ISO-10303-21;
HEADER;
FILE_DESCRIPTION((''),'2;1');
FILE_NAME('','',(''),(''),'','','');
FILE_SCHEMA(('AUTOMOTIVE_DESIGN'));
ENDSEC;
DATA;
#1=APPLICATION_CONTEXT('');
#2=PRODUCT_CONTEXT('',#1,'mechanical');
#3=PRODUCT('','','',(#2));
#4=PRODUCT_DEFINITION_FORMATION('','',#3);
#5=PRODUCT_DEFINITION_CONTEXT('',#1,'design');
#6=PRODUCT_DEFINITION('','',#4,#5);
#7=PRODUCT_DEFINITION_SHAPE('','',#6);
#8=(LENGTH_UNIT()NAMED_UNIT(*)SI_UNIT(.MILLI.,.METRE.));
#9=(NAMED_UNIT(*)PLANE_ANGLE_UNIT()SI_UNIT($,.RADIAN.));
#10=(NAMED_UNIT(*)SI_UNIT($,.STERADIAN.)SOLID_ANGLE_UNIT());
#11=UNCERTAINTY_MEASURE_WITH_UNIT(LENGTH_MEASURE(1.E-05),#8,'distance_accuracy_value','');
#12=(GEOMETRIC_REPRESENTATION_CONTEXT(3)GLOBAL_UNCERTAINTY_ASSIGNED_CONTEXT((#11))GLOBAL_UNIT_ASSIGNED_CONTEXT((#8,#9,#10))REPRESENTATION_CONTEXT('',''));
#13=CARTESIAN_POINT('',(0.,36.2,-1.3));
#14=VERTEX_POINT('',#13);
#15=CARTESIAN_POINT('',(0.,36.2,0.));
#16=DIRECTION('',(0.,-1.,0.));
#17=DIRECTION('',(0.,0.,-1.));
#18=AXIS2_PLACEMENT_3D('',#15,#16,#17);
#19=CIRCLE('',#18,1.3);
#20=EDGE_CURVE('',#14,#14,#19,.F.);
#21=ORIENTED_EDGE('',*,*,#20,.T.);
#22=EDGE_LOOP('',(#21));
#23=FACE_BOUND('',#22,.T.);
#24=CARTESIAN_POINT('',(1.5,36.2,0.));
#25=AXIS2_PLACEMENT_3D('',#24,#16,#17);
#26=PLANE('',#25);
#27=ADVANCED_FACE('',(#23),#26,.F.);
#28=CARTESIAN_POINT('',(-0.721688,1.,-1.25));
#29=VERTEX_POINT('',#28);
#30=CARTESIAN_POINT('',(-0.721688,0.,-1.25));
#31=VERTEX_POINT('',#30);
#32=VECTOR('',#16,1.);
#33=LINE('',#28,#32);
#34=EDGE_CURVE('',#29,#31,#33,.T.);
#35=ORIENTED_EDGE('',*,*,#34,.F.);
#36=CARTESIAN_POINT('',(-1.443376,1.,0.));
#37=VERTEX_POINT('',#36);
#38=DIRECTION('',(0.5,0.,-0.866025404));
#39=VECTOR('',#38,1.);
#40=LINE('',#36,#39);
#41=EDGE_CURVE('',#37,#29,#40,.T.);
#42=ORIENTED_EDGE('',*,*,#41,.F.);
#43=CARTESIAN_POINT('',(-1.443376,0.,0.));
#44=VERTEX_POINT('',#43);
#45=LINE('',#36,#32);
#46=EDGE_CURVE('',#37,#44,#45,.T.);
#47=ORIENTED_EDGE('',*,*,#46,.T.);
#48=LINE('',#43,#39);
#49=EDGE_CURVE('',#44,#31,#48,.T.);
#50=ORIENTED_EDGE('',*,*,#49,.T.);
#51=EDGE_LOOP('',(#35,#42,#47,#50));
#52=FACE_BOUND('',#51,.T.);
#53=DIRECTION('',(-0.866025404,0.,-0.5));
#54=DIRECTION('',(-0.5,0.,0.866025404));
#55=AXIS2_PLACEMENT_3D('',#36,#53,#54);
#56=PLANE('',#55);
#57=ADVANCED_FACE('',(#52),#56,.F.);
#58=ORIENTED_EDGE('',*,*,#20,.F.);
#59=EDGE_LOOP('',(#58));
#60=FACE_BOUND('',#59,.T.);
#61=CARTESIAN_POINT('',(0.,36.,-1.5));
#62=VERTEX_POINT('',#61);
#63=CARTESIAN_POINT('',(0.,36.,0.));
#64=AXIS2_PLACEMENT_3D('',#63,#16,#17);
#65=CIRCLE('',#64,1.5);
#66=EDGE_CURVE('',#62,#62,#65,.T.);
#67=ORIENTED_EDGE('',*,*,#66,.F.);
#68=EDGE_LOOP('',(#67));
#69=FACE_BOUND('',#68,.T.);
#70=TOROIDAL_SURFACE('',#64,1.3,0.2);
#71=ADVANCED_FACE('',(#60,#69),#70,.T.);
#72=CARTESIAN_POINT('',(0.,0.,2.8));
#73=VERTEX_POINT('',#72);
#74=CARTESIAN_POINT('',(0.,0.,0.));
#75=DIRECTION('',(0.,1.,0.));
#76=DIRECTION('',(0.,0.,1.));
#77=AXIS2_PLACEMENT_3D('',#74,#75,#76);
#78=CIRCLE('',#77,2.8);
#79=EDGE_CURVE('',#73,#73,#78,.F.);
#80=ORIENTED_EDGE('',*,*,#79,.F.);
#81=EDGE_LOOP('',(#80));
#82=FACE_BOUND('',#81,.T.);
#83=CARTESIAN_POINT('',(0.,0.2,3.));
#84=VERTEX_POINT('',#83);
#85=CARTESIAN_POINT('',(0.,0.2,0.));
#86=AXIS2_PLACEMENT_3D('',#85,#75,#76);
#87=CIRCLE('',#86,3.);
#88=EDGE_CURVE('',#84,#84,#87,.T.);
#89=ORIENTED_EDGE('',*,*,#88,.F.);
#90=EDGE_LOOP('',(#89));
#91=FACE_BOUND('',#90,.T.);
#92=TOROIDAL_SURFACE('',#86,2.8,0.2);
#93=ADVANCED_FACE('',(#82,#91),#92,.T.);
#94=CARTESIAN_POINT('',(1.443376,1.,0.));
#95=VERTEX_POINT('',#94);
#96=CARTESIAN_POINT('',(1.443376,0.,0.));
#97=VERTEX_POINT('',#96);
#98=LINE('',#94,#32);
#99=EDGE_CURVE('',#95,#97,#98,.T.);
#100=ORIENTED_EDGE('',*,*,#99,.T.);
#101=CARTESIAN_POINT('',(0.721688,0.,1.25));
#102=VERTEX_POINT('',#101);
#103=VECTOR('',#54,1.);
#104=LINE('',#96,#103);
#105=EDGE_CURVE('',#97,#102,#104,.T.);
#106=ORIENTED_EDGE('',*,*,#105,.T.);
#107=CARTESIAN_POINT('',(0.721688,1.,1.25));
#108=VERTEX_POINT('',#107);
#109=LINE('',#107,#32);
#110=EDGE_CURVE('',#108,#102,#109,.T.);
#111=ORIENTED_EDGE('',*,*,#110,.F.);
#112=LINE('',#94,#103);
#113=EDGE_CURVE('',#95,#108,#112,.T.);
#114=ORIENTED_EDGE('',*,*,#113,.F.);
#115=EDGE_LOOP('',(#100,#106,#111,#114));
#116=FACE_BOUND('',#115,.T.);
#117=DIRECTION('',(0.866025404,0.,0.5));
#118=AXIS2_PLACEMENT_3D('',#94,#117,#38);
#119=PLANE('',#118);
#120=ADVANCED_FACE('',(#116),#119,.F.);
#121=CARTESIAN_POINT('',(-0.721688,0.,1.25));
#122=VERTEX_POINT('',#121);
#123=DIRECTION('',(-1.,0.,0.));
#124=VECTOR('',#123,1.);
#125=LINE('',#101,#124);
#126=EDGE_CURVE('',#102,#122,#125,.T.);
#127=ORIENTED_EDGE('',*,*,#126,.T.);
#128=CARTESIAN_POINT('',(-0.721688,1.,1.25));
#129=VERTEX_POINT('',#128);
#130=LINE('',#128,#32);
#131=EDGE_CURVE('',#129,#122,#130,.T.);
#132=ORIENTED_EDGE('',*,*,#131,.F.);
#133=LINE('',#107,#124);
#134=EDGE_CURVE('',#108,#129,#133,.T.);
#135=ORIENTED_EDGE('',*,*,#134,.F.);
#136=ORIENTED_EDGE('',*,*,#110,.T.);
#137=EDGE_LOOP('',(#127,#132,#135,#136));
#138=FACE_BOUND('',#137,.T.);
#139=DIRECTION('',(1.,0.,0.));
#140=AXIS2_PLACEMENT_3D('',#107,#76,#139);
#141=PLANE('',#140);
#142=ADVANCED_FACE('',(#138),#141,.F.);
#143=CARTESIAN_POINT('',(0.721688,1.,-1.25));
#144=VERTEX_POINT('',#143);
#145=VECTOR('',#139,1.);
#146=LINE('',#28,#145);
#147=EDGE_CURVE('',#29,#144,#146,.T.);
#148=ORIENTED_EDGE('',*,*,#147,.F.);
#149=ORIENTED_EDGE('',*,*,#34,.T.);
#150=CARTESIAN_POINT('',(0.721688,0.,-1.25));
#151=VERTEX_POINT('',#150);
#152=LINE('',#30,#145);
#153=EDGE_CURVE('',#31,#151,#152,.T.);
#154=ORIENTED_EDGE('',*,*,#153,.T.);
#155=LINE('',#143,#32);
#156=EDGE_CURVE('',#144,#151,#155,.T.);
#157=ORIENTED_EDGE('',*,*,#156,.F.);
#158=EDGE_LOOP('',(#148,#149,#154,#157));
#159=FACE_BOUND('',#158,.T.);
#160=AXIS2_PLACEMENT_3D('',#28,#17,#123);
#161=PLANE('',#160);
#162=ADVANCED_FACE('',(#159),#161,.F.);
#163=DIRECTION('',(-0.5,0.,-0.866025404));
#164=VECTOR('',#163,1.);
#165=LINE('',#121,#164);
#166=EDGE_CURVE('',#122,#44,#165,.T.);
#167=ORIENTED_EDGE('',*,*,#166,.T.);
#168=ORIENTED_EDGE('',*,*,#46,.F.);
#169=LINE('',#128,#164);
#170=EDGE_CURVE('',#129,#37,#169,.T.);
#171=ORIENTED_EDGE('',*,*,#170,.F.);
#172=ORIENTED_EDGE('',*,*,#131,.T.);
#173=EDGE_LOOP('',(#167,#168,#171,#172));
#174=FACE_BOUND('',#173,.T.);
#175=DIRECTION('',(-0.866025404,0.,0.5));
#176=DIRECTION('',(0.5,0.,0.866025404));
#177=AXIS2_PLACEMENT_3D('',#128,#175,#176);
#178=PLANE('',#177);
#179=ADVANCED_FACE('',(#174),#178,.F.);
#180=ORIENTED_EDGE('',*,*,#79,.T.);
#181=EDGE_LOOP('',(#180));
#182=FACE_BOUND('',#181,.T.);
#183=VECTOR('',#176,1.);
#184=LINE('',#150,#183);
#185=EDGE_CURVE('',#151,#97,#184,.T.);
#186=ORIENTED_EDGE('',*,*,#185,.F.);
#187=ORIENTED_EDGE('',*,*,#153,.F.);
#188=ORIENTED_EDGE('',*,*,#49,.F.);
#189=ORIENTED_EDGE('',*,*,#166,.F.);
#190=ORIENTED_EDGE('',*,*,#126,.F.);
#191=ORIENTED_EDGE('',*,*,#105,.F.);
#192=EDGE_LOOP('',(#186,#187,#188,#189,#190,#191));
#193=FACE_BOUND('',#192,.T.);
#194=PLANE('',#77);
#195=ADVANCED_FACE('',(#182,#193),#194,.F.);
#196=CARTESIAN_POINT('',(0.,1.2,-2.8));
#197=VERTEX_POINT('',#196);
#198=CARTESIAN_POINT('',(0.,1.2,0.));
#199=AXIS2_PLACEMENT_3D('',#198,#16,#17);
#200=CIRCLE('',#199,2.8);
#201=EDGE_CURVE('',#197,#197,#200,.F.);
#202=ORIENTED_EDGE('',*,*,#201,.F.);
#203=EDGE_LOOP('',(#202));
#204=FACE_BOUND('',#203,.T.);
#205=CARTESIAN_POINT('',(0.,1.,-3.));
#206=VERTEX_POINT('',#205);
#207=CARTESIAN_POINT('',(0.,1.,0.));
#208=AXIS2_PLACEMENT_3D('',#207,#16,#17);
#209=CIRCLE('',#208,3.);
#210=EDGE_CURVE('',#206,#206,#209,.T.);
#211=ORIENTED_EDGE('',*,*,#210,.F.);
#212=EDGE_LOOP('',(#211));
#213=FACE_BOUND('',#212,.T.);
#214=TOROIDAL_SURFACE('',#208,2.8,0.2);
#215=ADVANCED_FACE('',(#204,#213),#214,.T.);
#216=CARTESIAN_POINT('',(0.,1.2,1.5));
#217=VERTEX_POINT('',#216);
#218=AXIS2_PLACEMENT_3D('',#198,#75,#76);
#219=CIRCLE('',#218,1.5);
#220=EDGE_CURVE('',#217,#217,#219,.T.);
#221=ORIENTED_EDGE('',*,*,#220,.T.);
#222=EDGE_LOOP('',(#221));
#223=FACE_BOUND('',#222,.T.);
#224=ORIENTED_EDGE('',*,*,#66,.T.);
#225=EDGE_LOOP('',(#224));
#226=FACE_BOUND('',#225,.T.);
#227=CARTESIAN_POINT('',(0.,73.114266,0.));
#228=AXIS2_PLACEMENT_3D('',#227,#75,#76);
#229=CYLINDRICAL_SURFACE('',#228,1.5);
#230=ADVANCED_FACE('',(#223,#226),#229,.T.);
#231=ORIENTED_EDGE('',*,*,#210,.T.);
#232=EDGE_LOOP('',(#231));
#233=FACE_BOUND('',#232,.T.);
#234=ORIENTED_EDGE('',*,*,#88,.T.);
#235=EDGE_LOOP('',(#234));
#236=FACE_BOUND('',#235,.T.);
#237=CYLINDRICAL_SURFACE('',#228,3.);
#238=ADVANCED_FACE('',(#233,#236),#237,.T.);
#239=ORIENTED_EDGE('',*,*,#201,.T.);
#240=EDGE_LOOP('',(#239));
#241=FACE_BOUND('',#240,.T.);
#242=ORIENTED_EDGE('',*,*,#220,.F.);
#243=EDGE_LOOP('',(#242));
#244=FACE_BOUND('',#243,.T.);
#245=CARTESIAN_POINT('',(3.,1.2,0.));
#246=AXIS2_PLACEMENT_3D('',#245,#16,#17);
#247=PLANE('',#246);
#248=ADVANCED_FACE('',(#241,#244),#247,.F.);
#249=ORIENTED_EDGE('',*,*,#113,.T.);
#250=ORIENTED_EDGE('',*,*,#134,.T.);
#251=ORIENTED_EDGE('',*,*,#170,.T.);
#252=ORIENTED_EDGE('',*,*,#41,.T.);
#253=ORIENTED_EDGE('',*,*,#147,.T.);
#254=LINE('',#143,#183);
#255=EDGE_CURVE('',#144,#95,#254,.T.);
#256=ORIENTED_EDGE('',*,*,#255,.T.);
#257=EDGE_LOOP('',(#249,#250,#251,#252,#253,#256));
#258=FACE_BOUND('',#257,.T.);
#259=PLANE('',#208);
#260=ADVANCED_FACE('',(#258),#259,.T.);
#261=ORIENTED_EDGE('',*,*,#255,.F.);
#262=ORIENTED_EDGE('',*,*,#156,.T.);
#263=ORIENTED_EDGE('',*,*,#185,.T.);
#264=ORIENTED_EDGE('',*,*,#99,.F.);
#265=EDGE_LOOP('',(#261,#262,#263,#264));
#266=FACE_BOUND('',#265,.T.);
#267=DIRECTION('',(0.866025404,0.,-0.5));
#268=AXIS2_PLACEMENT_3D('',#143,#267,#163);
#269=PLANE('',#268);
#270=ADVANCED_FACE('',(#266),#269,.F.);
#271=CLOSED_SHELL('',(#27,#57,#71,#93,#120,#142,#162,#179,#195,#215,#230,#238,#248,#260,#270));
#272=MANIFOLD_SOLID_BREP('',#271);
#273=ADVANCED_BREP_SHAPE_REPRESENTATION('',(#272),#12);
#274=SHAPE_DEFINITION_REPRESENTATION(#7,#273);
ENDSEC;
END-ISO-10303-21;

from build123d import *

# Parameters (mm, degrees)
FILLET1_R          = 0.2
CUT_EXTRUDE1_DEPTH = 1


with BuildPart() as part:
    # Sketch2 → Revolve1 (revolve)
    with BuildSketch(Plane.XY, mode=Mode.PRIVATE) as revolve1_sk:
        Polygon((0, 0), (3, 0), (3, 1.2), (1.5, 1.2), (1.5, 36.2), (0, 36.2), align=None)
    revolve(revolve1_sk.sketch.rotate(Axis((0, 73.114266362, 0), (0, -1, 0)), 90), axis=Axis((0, 73.114266362, 0), (0, -1, 0)))

    # Fillet1
    fillet1_edges = [part.edges().sort_by_distance(p)[0] for p in [
        (0, 36.2, -1.5),
        (0, 1.2, -3),
        (0, 0, -3),
    ]]
    fillet(fillet1_edges, radius=FILLET1_R)

    # Sketch3 → Cut-Extrude1 (cut)
    with BuildSketch(Plane.XZ):
        Polygon((1.443375673, 0), (0.721687836, 1.25), (-0.721687836, 1.25), (-1.443375673, 0), (-0.721687836, -1.25), (0.721687836, -1.25), align=None)
    extrude(amount=-CUT_EXTRUDE1_DEPTH, mode=Mode.SUBTRACT)


solid = part.part
